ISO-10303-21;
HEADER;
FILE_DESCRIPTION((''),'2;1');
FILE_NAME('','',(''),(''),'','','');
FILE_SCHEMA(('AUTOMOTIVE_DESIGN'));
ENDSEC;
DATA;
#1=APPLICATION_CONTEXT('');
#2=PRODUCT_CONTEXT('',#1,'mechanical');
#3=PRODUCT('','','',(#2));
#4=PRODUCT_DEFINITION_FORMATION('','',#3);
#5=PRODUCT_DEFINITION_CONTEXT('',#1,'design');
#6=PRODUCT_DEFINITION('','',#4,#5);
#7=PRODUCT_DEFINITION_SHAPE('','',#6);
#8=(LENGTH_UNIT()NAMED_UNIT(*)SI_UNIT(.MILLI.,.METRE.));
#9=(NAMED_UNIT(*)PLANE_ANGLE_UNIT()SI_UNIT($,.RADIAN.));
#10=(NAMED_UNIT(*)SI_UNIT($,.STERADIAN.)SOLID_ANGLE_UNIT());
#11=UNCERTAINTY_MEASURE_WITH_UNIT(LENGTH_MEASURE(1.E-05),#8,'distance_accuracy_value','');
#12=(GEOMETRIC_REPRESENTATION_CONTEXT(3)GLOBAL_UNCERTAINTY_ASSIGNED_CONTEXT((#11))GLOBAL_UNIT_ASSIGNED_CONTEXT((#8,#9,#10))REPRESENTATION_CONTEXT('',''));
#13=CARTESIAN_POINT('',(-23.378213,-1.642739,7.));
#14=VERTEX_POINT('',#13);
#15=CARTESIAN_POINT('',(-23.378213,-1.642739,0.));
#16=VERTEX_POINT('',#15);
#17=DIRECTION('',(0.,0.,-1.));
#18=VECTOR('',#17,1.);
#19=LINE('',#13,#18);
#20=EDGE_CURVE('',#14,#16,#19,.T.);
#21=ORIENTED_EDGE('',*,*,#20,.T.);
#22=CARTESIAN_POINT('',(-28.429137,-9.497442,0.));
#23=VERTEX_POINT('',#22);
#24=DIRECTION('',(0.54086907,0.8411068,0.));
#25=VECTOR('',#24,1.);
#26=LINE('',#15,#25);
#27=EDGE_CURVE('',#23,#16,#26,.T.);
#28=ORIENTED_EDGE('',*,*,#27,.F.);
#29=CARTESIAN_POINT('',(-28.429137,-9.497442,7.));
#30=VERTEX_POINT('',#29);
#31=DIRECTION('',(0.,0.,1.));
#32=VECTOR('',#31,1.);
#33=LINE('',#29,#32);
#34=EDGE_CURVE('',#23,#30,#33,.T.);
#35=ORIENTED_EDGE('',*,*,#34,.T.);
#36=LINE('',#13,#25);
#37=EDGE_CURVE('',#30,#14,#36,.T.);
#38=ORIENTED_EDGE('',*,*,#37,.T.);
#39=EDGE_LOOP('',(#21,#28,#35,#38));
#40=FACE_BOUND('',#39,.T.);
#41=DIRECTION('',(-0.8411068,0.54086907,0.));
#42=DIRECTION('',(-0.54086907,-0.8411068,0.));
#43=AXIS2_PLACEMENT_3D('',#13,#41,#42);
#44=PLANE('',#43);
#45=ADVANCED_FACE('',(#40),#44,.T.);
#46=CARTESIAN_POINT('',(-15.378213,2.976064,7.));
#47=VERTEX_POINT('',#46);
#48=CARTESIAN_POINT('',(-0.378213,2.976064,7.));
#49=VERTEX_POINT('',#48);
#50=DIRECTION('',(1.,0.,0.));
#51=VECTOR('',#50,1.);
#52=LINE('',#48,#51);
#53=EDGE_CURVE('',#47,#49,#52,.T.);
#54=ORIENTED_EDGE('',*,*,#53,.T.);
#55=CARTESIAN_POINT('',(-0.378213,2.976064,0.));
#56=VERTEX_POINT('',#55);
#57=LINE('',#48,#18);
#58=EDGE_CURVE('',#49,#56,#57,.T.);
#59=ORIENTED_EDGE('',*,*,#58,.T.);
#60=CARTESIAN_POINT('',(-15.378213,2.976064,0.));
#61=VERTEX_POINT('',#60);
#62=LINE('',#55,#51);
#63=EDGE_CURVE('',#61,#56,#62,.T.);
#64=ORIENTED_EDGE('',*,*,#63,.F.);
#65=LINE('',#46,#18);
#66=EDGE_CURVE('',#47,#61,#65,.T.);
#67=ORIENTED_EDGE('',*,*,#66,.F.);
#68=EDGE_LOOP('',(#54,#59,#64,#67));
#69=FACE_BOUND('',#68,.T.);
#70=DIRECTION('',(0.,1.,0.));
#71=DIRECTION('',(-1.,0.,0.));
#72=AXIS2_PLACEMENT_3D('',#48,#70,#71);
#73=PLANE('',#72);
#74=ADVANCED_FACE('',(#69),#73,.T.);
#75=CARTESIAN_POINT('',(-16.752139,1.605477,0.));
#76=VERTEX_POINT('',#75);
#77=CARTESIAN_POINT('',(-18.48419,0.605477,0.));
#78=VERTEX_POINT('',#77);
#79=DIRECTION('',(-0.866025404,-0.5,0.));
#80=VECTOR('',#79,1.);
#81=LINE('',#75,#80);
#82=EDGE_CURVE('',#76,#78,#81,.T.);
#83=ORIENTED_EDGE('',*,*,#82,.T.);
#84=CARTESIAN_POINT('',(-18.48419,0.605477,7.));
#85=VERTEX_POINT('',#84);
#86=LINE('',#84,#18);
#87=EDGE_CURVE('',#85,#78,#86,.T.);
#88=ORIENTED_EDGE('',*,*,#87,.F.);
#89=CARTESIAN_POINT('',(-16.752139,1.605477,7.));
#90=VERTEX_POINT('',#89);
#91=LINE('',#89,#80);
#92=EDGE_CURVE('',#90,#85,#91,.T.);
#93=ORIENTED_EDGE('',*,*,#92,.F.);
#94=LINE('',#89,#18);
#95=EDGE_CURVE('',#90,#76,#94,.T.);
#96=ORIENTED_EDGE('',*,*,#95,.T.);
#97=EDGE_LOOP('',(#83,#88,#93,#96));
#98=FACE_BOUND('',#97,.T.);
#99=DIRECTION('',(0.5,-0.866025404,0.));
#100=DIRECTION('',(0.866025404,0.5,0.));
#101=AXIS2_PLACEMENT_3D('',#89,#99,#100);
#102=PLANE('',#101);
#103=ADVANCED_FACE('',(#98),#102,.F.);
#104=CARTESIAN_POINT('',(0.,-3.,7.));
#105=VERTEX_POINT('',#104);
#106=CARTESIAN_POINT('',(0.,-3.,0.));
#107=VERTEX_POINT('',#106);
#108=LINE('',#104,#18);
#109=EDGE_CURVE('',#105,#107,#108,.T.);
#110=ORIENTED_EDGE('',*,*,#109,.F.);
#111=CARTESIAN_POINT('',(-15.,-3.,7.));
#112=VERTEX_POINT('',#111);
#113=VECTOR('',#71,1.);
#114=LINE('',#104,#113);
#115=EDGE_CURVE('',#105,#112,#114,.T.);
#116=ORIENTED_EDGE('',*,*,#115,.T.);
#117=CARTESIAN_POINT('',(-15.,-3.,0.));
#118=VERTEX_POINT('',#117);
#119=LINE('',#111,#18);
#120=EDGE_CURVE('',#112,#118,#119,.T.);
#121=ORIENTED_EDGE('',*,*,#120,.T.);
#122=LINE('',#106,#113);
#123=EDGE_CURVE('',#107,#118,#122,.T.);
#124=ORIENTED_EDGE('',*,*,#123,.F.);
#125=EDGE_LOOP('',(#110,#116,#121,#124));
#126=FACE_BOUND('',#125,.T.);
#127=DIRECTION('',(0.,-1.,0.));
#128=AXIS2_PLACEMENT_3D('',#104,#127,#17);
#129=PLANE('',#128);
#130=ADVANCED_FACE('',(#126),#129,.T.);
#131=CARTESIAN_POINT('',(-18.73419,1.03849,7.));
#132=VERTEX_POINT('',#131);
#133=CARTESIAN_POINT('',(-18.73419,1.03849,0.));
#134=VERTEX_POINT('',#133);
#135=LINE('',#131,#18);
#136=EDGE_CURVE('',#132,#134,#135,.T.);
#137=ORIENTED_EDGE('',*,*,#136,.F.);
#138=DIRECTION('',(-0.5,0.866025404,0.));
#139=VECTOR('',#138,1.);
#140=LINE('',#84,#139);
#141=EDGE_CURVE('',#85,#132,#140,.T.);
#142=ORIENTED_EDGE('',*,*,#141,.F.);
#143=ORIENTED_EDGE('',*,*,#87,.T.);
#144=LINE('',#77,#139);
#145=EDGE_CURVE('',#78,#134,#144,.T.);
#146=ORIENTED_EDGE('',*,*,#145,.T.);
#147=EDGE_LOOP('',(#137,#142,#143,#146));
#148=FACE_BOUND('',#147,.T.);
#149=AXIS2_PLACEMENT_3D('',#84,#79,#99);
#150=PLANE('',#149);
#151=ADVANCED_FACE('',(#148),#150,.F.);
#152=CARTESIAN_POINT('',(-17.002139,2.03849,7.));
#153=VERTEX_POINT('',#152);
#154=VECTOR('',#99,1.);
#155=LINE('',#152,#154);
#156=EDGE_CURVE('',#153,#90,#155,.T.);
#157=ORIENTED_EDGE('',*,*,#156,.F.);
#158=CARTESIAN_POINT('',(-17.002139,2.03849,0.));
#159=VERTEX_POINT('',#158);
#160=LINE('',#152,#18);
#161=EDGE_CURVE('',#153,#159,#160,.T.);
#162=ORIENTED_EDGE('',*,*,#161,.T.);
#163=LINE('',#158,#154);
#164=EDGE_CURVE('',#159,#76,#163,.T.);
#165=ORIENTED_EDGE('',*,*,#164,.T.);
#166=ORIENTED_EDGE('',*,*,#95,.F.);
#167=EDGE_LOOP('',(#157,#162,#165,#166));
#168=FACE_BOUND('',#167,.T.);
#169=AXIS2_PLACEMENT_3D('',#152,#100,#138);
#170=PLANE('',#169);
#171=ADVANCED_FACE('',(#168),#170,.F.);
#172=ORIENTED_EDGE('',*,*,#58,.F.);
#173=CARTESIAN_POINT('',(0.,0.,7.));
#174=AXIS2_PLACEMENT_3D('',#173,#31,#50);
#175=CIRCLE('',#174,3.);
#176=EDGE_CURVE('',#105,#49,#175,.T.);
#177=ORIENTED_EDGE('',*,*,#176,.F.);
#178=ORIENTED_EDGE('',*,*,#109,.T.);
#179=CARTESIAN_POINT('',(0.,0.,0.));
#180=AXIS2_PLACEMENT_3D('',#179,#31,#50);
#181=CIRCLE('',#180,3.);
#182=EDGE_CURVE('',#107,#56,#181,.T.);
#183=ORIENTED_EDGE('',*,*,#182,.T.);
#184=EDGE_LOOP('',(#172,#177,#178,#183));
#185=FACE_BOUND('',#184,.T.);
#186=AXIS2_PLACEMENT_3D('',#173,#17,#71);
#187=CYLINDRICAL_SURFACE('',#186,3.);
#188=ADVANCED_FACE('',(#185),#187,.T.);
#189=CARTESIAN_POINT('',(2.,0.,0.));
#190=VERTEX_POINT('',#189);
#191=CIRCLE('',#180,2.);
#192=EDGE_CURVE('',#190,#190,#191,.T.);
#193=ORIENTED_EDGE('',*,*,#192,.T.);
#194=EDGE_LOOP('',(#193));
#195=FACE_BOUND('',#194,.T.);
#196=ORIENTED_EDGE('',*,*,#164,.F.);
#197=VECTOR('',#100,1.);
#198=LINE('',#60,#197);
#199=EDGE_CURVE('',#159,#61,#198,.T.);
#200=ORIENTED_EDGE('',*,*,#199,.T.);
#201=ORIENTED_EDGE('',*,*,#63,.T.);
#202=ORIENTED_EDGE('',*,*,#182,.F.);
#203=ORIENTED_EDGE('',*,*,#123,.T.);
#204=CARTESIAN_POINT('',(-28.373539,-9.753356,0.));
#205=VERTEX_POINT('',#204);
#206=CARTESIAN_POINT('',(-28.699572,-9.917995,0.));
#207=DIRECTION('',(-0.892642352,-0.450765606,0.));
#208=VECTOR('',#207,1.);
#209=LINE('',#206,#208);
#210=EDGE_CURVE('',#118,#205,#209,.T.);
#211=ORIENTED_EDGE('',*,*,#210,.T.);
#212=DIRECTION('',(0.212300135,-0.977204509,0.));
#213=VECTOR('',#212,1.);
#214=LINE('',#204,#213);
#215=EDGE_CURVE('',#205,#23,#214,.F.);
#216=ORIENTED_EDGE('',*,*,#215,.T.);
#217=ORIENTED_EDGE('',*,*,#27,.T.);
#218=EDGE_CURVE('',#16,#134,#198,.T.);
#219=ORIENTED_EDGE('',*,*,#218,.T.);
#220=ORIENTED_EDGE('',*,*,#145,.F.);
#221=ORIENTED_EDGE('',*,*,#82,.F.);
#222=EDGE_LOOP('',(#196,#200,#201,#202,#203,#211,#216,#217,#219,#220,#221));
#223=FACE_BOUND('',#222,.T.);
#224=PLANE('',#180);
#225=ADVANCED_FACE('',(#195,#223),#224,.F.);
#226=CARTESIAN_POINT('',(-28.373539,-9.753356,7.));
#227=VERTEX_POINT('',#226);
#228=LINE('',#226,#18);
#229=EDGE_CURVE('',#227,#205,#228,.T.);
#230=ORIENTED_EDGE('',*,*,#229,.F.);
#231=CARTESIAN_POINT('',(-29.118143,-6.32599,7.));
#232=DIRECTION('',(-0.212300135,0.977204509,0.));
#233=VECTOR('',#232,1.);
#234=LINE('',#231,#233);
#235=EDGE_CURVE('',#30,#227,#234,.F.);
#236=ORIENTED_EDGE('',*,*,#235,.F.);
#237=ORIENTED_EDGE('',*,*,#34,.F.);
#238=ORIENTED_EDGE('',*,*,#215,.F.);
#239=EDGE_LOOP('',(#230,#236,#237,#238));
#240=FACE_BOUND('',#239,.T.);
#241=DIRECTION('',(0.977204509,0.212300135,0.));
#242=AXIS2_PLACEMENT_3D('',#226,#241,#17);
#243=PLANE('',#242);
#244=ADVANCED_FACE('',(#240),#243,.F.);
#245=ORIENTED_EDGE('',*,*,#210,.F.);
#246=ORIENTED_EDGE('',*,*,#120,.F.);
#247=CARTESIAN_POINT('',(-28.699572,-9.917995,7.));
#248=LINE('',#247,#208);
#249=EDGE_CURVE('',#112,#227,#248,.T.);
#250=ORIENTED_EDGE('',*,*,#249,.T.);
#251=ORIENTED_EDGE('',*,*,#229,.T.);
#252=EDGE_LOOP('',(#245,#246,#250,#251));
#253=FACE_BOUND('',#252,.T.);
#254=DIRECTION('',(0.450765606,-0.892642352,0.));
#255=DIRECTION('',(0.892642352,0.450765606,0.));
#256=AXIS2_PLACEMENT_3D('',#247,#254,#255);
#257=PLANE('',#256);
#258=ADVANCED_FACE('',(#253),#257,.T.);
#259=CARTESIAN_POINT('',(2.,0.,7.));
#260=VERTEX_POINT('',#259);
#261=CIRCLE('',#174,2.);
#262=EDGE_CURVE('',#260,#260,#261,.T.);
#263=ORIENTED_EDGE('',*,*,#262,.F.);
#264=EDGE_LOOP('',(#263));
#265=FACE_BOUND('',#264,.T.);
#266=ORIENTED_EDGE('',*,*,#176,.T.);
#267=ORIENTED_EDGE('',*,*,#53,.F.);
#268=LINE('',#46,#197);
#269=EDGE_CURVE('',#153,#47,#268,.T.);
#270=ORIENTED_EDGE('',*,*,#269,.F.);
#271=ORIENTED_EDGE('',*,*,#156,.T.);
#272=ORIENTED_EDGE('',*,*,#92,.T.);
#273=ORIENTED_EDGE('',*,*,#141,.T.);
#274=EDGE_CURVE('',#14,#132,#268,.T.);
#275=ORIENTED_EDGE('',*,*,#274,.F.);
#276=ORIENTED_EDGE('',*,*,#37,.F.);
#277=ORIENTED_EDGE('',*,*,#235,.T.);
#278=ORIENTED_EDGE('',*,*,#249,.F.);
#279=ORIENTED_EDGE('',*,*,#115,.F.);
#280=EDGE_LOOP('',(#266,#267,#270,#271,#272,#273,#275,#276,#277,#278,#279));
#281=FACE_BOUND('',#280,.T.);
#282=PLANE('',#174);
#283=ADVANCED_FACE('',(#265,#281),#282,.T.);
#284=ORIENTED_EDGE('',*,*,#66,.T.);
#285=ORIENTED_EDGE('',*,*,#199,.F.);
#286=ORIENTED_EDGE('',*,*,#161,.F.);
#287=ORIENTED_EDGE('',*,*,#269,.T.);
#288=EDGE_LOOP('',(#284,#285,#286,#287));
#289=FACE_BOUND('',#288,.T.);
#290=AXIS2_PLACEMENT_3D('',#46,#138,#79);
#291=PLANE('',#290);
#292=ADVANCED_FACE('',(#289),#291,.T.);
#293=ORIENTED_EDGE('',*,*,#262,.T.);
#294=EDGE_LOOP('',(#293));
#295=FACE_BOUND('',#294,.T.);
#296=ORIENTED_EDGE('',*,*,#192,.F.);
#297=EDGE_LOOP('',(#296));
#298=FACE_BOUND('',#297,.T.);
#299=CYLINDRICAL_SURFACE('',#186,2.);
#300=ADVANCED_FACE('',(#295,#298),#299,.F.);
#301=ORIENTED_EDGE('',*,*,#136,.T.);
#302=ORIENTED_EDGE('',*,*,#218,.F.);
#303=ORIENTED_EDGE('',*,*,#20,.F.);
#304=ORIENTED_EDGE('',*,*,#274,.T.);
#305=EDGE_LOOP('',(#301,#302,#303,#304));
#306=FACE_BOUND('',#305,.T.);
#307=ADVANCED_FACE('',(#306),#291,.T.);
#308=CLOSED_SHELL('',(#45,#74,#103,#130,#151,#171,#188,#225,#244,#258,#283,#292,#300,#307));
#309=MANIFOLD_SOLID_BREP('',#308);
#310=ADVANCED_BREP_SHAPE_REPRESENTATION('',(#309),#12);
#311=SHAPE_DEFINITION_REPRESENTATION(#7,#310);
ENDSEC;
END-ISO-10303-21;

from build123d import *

# Parameters (mm, degrees)
SKETCH_1_R          = 3
SKETCH_1_R_2        = 2
EXTRUDE_1_DEPTH     = 7
SKETCH_2_R          = 2
EXTRUDE_2_DEPTH     = 7
CHAMFER_1_SIZE      = 0.5
CHAMFER_1_SIZE2     = 0.365244226
SKETCH_3_W          = 2
SKETCH_3_H          = 0.5
CUT_EXTRUDE_1_DEPTH = 7
SKETCH_4_W          = 2
SKETCH_4_H          = 7
EXTRUDE_3_DEPTH     = 0.5


with BuildPart() as part:
    # 草图1 → 凸台-拉伸1 (new body)
    with BuildSketch(Plane.XY):
        Circle(SKETCH_1_R)
        Circle(SKETCH_1_R_2, mode=Mode.SUBTRACT)
    extrude(amount=EXTRUDE_1_DEPTH)

    # 草图2 → 凸台-拉伸2 (add)
    with BuildSketch(Plane(origin=(0, 0, 0), x_dir=(-1, 0, 0), z_dir=(0, 0, -1))):
        with BuildLine():
            Line((0.378213472, 2.976063603), (15.378213472, 2.976063603))
            Line((15.378213472, 2.976063603), (23.378213472, -1.64273855))
            Line((23.378213472, -1.64273855), (28.699571557, -9.91799539))
            Line((28.699571557, -9.91799539), (15, -3))
            Line((15, -3), (0, -3))
            ThreePointArc((0, -3), (-2.994009921, 0.189485079), (0.378213472, 2.976063603))
        make_face()
        with Locations(Location((0, 0, 0), (0, 0, 180))):
            Circle(SKETCH_2_R, mode=Mode.SUBTRACT)
    extrude(amount=-EXTRUDE_2_DEPTH)

    # 倒角1
    chamfer_1_edges = [part.edges().sort_by_distance(p)[0] for p in [
        (-28.699571557, -9.91799539, 3.5),
    ]]
    chamfer_1_side = [part.faces().sort_by_distance(p)[0] for p in [
        (-26.038892515, -5.78036697, 3.5),
    ]]
    chamfer(chamfer_1_edges, length=CHAMFER_1_SIZE, length2=CHAMFER_1_SIZE2, reference=chamfer_1_side[0])

    # 草图3 → 切除-拉伸1 (cut)
    with BuildSketch(Plane(origin=(0, 0, 0), x_dir=(-1, 0, 0), z_dir=(0, 0, -1))):
        with Locations((11, 2.726063603)):
            Rectangle(SKETCH_3_W, SKETCH_3_H)
        Polygon((17.002138833, 2.038489859), (16.752138833, 1.605477157), (18.484189641, 0.605477157), (18.734189641, 1.038489859), align=None)
    extrude(amount=-CUT_EXTRUDE_1_DEPTH, mode=Mode.SUBTRACT)

    # 草图4 → 凸台-拉伸3 (add)
    with BuildSketch(Plane(origin=(0, 2.476063603, 0), x_dir=(1, 0, 0), z_dir=(0, 1, 0))):
        with Locations((-11, -3.5)):
            Rectangle(SKETCH_4_W, SKETCH_4_H)
    extrude(amount=EXTRUDE_3_DEPTH)


solid = part.part
